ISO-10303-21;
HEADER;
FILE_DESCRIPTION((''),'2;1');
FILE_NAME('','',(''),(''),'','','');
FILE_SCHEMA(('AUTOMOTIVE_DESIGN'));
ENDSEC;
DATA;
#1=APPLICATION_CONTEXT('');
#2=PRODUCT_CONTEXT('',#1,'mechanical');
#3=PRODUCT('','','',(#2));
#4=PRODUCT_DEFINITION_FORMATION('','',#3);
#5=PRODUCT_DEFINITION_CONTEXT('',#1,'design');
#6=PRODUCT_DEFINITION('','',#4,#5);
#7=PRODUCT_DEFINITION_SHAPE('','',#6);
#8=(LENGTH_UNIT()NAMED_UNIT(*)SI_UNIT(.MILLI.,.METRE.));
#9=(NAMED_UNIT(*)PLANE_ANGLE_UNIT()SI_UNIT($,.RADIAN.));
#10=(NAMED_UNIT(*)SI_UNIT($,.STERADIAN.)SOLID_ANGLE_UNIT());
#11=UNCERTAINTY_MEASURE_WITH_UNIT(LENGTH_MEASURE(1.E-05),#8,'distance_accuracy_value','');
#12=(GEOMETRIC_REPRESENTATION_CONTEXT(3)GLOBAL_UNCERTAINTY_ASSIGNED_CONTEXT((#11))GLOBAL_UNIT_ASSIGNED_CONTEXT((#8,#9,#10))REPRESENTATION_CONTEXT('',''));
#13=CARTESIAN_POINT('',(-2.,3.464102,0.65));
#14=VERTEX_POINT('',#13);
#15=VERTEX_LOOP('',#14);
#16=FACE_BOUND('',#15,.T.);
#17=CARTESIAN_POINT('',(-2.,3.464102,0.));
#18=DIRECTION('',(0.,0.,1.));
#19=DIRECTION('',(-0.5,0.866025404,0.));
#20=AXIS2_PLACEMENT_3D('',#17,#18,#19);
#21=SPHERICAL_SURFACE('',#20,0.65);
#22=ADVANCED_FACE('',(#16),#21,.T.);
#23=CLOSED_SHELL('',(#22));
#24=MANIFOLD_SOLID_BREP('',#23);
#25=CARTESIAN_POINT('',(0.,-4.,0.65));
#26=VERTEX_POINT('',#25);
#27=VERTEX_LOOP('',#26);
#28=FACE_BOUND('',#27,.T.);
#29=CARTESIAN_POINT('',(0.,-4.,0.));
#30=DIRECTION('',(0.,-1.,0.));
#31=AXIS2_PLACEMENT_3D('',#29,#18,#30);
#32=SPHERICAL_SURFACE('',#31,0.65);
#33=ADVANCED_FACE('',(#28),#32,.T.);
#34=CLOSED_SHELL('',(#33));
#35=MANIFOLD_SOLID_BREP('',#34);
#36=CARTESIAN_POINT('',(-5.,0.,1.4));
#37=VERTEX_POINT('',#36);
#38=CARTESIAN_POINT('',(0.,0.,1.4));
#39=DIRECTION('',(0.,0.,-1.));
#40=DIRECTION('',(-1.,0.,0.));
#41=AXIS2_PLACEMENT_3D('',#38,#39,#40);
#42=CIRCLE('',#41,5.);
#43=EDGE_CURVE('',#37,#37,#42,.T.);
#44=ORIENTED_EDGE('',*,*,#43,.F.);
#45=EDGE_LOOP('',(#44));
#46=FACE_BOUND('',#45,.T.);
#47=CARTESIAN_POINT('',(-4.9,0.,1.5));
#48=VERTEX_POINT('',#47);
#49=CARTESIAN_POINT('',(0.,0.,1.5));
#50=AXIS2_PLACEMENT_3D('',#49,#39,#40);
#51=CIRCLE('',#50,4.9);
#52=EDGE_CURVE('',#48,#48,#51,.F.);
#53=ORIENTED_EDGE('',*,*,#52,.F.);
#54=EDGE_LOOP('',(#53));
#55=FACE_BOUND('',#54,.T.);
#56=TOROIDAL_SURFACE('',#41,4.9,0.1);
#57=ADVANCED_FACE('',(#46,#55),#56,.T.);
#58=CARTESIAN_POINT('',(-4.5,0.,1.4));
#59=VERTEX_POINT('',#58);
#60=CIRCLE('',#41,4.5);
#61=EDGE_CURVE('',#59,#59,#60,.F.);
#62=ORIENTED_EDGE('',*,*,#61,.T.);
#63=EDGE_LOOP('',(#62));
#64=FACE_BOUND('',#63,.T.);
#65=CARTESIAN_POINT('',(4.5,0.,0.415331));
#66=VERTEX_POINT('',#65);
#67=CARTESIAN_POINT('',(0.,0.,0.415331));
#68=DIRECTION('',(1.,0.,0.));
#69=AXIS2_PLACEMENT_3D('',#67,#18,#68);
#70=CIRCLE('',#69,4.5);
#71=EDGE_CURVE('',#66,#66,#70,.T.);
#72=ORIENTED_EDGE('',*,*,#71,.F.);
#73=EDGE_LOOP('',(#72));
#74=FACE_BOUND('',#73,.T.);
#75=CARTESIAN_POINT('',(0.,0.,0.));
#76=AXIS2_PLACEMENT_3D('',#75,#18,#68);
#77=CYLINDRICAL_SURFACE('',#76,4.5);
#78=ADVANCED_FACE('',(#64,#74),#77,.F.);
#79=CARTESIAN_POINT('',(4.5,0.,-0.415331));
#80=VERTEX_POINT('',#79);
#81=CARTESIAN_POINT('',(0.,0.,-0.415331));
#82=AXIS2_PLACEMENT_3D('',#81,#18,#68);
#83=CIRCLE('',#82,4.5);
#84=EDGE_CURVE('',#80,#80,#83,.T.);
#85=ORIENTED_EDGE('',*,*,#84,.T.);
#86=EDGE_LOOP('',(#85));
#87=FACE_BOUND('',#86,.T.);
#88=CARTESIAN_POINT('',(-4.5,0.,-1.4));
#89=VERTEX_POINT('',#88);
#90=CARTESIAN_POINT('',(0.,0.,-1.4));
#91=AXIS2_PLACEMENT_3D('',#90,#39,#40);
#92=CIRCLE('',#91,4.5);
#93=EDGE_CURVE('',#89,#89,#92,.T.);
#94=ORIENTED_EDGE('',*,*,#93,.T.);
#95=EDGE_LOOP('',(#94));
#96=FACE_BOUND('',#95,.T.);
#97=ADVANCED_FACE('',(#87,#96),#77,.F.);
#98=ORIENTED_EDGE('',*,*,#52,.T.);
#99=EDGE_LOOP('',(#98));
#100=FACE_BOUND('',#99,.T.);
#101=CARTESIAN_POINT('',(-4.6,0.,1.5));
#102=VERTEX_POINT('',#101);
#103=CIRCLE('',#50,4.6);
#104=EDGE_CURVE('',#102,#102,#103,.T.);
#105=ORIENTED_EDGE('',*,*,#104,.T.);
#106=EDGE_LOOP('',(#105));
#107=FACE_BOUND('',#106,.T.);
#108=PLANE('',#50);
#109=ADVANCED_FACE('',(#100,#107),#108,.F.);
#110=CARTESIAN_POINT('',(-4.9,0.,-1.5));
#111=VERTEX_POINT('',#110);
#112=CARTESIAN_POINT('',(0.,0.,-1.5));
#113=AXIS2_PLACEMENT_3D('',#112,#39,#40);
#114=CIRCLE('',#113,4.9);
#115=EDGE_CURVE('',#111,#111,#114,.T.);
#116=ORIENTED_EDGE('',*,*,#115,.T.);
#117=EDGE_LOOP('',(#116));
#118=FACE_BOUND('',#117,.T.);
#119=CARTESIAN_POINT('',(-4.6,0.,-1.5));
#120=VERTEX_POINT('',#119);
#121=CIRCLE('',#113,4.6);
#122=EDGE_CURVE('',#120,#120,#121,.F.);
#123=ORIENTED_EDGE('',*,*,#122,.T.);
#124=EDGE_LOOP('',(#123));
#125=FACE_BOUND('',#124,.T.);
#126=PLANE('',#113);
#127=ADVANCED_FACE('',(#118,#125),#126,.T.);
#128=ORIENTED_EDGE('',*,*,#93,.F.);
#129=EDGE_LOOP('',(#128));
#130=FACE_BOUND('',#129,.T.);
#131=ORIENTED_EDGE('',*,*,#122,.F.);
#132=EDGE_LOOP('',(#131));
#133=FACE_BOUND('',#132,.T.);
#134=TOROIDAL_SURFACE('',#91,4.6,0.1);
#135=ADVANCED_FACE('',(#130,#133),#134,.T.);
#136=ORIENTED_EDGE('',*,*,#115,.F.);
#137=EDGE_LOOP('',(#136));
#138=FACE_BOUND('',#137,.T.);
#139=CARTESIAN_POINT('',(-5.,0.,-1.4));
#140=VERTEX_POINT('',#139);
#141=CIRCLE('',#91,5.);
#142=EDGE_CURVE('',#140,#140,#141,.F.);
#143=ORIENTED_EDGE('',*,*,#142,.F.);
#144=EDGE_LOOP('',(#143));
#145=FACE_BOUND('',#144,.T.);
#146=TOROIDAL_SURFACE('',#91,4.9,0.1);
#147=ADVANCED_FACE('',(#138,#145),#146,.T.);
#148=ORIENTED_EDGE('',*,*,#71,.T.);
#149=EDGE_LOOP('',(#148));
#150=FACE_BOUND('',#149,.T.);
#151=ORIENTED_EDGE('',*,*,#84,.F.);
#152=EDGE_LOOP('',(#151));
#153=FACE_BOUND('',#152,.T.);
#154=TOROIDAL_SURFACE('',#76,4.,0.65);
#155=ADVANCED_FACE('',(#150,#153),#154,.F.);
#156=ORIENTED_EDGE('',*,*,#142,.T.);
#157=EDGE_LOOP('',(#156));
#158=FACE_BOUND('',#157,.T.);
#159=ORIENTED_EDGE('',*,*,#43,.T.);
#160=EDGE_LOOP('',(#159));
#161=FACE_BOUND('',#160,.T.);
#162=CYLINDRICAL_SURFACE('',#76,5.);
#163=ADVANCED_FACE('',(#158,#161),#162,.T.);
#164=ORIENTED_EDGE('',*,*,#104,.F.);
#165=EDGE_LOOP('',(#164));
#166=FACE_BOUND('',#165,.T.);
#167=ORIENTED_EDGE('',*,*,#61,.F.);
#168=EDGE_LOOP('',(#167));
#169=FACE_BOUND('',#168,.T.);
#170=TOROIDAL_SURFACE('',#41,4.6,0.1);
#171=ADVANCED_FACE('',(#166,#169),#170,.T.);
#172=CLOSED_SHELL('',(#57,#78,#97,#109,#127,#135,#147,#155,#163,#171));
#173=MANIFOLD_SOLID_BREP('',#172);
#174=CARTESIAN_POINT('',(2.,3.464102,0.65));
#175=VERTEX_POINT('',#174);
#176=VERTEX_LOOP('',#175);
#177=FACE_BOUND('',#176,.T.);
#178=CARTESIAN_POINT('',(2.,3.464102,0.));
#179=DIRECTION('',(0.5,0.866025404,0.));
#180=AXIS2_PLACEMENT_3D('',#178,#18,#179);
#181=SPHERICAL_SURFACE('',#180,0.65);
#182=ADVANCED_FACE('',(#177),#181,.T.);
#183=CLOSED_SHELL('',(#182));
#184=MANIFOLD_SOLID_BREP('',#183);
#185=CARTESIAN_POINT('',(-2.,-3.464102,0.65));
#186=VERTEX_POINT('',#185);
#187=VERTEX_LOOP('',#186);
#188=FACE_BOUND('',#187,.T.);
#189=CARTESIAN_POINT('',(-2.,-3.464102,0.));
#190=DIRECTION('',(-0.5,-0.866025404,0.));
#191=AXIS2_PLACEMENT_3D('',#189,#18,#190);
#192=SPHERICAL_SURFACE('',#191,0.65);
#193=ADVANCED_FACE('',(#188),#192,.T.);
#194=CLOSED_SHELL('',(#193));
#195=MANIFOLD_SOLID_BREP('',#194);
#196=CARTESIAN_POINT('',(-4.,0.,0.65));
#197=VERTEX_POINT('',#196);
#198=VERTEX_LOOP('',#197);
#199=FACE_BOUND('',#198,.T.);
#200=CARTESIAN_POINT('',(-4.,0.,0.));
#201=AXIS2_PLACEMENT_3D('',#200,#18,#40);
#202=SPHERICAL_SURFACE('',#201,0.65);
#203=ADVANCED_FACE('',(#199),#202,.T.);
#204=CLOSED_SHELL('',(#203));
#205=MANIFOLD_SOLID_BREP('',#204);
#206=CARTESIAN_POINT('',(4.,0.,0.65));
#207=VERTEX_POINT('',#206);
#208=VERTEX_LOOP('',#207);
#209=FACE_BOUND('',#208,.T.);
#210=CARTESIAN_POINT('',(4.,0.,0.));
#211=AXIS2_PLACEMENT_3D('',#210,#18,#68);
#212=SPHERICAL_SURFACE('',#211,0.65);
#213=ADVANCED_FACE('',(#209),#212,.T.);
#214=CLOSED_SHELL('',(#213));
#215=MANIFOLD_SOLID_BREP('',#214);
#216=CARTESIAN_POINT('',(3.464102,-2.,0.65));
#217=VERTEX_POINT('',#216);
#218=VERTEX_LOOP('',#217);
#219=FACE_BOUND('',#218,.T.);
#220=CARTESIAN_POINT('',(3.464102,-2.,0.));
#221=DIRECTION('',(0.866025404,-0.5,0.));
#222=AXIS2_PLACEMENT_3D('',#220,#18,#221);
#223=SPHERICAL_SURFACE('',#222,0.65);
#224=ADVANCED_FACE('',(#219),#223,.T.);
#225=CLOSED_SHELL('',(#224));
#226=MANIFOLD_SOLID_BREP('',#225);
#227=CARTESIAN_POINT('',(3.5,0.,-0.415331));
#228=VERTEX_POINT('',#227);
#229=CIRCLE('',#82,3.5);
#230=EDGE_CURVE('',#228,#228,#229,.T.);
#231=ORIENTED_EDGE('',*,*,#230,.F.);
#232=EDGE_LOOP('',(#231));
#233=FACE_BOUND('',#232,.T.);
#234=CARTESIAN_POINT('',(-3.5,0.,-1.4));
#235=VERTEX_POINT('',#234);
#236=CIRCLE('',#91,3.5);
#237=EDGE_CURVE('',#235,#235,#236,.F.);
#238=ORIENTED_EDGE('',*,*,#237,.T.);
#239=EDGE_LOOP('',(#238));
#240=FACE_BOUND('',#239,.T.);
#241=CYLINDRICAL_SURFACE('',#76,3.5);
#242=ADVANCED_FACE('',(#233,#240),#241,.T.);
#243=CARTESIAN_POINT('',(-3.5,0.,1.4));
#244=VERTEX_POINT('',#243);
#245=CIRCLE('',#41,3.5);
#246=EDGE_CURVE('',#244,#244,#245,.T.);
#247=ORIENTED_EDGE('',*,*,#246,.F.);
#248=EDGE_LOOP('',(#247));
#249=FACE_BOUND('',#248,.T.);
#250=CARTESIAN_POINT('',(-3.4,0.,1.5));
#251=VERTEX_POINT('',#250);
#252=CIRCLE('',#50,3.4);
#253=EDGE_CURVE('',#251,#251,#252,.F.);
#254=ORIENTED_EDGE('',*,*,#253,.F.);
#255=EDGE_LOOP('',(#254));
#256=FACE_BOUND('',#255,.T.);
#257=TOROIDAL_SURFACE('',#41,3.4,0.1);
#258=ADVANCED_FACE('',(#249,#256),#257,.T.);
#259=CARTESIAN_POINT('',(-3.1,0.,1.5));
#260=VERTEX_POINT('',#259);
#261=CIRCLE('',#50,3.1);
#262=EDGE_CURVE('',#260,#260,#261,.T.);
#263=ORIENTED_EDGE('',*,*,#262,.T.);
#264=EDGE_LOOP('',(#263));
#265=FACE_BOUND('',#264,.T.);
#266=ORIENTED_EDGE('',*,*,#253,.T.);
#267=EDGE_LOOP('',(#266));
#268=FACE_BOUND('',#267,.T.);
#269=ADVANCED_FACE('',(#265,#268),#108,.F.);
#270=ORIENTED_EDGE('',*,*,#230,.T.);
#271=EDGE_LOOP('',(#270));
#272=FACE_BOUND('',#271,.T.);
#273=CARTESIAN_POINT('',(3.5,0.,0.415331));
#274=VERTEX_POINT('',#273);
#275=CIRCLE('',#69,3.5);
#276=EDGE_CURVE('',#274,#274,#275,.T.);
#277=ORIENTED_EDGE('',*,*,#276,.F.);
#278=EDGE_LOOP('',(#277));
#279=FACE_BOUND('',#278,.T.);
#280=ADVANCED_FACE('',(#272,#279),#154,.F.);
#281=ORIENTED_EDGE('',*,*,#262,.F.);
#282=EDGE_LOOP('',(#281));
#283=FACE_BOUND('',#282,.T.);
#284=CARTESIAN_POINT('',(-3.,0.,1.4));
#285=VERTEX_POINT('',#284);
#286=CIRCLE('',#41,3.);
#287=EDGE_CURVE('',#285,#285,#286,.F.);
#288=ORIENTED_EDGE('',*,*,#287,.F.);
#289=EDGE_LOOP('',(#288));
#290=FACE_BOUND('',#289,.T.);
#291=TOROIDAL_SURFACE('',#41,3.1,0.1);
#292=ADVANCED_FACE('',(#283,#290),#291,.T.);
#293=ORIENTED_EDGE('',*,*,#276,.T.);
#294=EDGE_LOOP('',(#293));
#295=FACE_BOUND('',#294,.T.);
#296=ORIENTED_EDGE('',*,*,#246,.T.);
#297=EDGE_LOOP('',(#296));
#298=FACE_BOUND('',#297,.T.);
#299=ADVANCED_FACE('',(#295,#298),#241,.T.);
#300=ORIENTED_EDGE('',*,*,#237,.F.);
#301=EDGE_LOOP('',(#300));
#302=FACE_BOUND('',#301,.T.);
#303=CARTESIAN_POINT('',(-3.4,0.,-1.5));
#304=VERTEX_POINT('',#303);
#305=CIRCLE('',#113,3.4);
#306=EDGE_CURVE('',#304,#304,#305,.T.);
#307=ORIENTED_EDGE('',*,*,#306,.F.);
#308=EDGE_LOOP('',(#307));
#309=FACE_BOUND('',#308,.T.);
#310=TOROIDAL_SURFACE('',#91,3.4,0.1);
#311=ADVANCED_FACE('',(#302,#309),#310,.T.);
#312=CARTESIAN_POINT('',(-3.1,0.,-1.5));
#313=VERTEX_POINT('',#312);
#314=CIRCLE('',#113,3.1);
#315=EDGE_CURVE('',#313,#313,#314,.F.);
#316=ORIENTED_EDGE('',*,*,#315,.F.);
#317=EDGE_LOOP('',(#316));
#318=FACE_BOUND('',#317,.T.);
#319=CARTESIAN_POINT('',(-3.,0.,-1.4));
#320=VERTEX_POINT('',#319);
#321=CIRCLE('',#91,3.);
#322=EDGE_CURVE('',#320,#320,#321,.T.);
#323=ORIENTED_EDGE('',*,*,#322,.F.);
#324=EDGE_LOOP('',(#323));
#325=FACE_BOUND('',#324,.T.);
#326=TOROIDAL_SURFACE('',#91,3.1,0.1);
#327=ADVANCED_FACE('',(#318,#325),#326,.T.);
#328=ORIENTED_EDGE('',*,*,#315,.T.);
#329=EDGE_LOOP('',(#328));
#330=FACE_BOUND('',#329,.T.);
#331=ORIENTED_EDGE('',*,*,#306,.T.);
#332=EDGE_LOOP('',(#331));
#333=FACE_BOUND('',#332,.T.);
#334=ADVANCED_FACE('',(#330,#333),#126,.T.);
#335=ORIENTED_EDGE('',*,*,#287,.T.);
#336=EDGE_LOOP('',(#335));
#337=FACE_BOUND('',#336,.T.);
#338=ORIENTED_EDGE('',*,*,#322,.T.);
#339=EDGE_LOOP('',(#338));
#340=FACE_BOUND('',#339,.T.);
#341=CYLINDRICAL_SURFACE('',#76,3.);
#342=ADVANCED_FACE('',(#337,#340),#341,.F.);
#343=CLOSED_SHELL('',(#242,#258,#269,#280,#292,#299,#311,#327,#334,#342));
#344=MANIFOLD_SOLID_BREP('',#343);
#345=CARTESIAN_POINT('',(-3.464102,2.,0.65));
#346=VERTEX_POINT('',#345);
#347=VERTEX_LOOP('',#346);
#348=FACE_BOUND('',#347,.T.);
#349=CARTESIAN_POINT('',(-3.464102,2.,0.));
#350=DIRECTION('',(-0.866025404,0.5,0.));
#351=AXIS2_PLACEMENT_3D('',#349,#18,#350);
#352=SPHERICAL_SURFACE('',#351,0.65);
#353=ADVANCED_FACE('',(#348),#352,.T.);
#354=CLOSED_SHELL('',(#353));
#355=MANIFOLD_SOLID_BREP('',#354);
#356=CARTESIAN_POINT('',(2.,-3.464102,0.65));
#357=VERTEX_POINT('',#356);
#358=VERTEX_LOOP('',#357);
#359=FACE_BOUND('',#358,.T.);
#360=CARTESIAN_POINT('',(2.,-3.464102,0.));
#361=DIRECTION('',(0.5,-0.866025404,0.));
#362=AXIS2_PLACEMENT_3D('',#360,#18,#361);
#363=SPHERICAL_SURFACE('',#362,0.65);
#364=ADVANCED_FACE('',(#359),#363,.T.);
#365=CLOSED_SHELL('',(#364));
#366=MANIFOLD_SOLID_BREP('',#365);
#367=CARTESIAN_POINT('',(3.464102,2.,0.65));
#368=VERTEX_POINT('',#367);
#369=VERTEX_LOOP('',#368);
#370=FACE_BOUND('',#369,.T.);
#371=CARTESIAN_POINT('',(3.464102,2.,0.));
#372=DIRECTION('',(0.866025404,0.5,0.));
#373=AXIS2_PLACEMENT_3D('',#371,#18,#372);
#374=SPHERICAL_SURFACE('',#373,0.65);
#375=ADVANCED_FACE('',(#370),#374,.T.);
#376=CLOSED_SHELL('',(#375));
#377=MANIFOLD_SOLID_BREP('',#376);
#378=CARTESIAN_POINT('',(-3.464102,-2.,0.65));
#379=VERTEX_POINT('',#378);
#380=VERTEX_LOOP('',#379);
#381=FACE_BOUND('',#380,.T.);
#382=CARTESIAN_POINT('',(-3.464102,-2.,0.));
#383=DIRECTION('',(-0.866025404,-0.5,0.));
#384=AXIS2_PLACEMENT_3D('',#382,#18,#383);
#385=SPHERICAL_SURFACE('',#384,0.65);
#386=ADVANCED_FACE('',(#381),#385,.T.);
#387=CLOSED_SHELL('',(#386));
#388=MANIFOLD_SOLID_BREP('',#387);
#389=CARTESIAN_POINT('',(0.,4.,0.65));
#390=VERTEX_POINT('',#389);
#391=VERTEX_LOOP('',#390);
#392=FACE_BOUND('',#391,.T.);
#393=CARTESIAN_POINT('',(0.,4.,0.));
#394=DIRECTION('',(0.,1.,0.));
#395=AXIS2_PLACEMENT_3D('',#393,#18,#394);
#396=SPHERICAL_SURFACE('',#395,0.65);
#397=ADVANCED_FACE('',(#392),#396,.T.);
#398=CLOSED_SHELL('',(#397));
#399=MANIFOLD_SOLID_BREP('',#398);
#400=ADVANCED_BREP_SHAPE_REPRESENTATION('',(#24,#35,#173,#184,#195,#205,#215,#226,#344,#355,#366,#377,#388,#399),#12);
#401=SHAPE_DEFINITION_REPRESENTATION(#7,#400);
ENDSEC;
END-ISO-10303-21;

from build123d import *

# Parameters (mm, degrees)
KREISMUSTER4_COUNT = 12
VERRUNDUNG1_R      = 0.1
VERRUNDUNG2_R      = 0.1


with BuildPart() as part:
    # Skizze1 → Rotation1 (revolve)
    with BuildSketch(Plane(origin=(0, 0, 0), x_dir=(0, 0, -1), z_dir=(1, 0, 0))):
        with BuildLine():
            Line((1.5, 5), (-1.5, 5))
            Line((-1.5, 5), (-1.5, 4.5))
            Line((-1.5, 4.5), (-0.415331193, 4.5))
            ThreePointArc((-0.415331193, 4.5), (0, 4.65), (0.415331193, 4.5))
            Line((0.415331193, 4.5), (1.5, 4.5))
            Line((1.5, 4.5), (1.5, 5))
        make_face()
        with BuildLine():
            ThreePointArc((0.415331193, 3.5), (0, 3.35), (-0.415331193, 3.5))
            Line((-0.415331193, 3.5), (-1.5, 3.5))
            Line((-1.5, 3.5), (-1.5, 3))
            Line((-1.5, 3), (1.5, 3))
            Line((1.5, 3), (1.5, 3.5))
            Line((1.5, 3.5), (0.415331193, 3.5))
        make_face()
    revolve(axis=Axis((0, 0, 0), (0, 0, -1)))

    # Verrundung1
    verrundung1_edges = [part.edges().sort_by_distance(p)[0] for p in [
        (0, -4.5, -1.5),
        (0, -4.5, 1.5),
        (0, -5, -1.5),
        (0, -5, 1.5),
    ]]
    fillet(verrundung1_edges, radius=VERRUNDUNG1_R)

    # Verrundung2
    verrundung2_edges = [part.edges().sort_by_distance(p)[0] for p in [
        (0, -3.5, -1.5),
        (0, -3, -1.5),
        (0, -3.5, 1.5),
        (0, -3, 1.5),
    ]]
    fillet(verrundung2_edges, radius=VERRUNDUNG2_R)


with BuildPart() as body_2:
    # Skizze1<5> → Rotation3 (revolve)
    with BuildSketch(Plane(origin=(0, 0, 0), x_dir=(0, 0, -1), z_dir=(1, 0, 0))):
        with BuildLine():
            ThreePointArc((0.415331193, 4.5), (0, 4.65), (-0.415331193, 4.5))
            ThreePointArc((-0.415331193, 4.5), (-0.588415362, 4.276165462), (-0.65, 4))
            Line((-0.65, 4), (0.65, 4))
            ThreePointArc((0.65, 4), (0.588415362, 4.276165462), (0.415331193, 4.5))
        make_face()
    revolve(axis=Axis((0, 4, 0.65), (0, 0, -1)))


with BuildPart() as kreismuster4_1:
    # Kreismuster4: pattern copy
    add(body_2.part.rotate(Axis((0, 0, -1.5), (0, 0, 1)), 1 * 360 / KREISMUSTER4_COUNT))


with BuildPart() as kreismuster4_2:
    # Kreismuster4: pattern copy
    add(body_2.part.rotate(Axis((0, 0, -1.5), (0, 0, 1)), 2 * 360 / KREISMUSTER4_COUNT))


with BuildPart() as kreismuster4_3:
    # Kreismuster4: pattern copy
    add(body_2.part.rotate(Axis((0, 0, -1.5), (0, 0, 1)), 3 * 360 / KREISMUSTER4_COUNT))


with BuildPart() as kreismuster4_4:
    # Kreismuster4: pattern copy
    add(body_2.part.rotate(Axis((0, 0, -1.5), (0, 0, 1)), 4 * 360 / KREISMUSTER4_COUNT))


with BuildPart() as kreismuster4_5:
    # Kreismuster4: pattern copy
    add(body_2.part.rotate(Axis((0, 0, -1.5), (0, 0, 1)), 5 * 360 / KREISMUSTER4_COUNT))


with BuildPart() as kreismuster4_6:
    # Kreismuster4: pattern copy
    add(body_2.part.rotate(Axis((0, 0, -1.5), (0, 0, 1)), 6 * 360 / KREISMUSTER4_COUNT))


with BuildPart() as kreismuster4_7:
    # Kreismuster4: pattern copy
    add(body_2.part.rotate(Axis((0, 0, -1.5), (0, 0, 1)), 7 * 360 / KREISMUSTER4_COUNT))


with BuildPart() as kreismuster4_8:
    # Kreismuster4: pattern copy
    add(body_2.part.rotate(Axis((0, 0, -1.5), (0, 0, 1)), 8 * 360 / KREISMUSTER4_COUNT))


with BuildPart() as kreismuster4_9:
    # Kreismuster4: pattern copy
    add(body_2.part.rotate(Axis((0, 0, -1.5), (0, 0, 1)), 9 * 360 / KREISMUSTER4_COUNT))


with BuildPart() as kreismuster4_10:
    # Kreismuster4: pattern copy
    add(body_2.part.rotate(Axis((0, 0, -1.5), (0, 0, 1)), 10 * 360 / KREISMUSTER4_COUNT))


with BuildPart() as kreismuster4_11:
    # Kreismuster4: pattern copy
    add(body_2.part.rotate(Axis((0, 0, -1.5), (0, 0, 1)), 11 * 360 / KREISMUSTER4_COUNT))


solid = Compound([part.part, body_2.part, kreismuster4_1.part, kreismuster4_2.part, kreismuster4_3.part, kreismuster4_4.part, kreismuster4_5.part, kreismuster4_6.part, kreismuster4_7.part, kreismuster4_8.part, kreismuster4_9.part, kreismuster4_10.part, kreismuster4_11.part])
